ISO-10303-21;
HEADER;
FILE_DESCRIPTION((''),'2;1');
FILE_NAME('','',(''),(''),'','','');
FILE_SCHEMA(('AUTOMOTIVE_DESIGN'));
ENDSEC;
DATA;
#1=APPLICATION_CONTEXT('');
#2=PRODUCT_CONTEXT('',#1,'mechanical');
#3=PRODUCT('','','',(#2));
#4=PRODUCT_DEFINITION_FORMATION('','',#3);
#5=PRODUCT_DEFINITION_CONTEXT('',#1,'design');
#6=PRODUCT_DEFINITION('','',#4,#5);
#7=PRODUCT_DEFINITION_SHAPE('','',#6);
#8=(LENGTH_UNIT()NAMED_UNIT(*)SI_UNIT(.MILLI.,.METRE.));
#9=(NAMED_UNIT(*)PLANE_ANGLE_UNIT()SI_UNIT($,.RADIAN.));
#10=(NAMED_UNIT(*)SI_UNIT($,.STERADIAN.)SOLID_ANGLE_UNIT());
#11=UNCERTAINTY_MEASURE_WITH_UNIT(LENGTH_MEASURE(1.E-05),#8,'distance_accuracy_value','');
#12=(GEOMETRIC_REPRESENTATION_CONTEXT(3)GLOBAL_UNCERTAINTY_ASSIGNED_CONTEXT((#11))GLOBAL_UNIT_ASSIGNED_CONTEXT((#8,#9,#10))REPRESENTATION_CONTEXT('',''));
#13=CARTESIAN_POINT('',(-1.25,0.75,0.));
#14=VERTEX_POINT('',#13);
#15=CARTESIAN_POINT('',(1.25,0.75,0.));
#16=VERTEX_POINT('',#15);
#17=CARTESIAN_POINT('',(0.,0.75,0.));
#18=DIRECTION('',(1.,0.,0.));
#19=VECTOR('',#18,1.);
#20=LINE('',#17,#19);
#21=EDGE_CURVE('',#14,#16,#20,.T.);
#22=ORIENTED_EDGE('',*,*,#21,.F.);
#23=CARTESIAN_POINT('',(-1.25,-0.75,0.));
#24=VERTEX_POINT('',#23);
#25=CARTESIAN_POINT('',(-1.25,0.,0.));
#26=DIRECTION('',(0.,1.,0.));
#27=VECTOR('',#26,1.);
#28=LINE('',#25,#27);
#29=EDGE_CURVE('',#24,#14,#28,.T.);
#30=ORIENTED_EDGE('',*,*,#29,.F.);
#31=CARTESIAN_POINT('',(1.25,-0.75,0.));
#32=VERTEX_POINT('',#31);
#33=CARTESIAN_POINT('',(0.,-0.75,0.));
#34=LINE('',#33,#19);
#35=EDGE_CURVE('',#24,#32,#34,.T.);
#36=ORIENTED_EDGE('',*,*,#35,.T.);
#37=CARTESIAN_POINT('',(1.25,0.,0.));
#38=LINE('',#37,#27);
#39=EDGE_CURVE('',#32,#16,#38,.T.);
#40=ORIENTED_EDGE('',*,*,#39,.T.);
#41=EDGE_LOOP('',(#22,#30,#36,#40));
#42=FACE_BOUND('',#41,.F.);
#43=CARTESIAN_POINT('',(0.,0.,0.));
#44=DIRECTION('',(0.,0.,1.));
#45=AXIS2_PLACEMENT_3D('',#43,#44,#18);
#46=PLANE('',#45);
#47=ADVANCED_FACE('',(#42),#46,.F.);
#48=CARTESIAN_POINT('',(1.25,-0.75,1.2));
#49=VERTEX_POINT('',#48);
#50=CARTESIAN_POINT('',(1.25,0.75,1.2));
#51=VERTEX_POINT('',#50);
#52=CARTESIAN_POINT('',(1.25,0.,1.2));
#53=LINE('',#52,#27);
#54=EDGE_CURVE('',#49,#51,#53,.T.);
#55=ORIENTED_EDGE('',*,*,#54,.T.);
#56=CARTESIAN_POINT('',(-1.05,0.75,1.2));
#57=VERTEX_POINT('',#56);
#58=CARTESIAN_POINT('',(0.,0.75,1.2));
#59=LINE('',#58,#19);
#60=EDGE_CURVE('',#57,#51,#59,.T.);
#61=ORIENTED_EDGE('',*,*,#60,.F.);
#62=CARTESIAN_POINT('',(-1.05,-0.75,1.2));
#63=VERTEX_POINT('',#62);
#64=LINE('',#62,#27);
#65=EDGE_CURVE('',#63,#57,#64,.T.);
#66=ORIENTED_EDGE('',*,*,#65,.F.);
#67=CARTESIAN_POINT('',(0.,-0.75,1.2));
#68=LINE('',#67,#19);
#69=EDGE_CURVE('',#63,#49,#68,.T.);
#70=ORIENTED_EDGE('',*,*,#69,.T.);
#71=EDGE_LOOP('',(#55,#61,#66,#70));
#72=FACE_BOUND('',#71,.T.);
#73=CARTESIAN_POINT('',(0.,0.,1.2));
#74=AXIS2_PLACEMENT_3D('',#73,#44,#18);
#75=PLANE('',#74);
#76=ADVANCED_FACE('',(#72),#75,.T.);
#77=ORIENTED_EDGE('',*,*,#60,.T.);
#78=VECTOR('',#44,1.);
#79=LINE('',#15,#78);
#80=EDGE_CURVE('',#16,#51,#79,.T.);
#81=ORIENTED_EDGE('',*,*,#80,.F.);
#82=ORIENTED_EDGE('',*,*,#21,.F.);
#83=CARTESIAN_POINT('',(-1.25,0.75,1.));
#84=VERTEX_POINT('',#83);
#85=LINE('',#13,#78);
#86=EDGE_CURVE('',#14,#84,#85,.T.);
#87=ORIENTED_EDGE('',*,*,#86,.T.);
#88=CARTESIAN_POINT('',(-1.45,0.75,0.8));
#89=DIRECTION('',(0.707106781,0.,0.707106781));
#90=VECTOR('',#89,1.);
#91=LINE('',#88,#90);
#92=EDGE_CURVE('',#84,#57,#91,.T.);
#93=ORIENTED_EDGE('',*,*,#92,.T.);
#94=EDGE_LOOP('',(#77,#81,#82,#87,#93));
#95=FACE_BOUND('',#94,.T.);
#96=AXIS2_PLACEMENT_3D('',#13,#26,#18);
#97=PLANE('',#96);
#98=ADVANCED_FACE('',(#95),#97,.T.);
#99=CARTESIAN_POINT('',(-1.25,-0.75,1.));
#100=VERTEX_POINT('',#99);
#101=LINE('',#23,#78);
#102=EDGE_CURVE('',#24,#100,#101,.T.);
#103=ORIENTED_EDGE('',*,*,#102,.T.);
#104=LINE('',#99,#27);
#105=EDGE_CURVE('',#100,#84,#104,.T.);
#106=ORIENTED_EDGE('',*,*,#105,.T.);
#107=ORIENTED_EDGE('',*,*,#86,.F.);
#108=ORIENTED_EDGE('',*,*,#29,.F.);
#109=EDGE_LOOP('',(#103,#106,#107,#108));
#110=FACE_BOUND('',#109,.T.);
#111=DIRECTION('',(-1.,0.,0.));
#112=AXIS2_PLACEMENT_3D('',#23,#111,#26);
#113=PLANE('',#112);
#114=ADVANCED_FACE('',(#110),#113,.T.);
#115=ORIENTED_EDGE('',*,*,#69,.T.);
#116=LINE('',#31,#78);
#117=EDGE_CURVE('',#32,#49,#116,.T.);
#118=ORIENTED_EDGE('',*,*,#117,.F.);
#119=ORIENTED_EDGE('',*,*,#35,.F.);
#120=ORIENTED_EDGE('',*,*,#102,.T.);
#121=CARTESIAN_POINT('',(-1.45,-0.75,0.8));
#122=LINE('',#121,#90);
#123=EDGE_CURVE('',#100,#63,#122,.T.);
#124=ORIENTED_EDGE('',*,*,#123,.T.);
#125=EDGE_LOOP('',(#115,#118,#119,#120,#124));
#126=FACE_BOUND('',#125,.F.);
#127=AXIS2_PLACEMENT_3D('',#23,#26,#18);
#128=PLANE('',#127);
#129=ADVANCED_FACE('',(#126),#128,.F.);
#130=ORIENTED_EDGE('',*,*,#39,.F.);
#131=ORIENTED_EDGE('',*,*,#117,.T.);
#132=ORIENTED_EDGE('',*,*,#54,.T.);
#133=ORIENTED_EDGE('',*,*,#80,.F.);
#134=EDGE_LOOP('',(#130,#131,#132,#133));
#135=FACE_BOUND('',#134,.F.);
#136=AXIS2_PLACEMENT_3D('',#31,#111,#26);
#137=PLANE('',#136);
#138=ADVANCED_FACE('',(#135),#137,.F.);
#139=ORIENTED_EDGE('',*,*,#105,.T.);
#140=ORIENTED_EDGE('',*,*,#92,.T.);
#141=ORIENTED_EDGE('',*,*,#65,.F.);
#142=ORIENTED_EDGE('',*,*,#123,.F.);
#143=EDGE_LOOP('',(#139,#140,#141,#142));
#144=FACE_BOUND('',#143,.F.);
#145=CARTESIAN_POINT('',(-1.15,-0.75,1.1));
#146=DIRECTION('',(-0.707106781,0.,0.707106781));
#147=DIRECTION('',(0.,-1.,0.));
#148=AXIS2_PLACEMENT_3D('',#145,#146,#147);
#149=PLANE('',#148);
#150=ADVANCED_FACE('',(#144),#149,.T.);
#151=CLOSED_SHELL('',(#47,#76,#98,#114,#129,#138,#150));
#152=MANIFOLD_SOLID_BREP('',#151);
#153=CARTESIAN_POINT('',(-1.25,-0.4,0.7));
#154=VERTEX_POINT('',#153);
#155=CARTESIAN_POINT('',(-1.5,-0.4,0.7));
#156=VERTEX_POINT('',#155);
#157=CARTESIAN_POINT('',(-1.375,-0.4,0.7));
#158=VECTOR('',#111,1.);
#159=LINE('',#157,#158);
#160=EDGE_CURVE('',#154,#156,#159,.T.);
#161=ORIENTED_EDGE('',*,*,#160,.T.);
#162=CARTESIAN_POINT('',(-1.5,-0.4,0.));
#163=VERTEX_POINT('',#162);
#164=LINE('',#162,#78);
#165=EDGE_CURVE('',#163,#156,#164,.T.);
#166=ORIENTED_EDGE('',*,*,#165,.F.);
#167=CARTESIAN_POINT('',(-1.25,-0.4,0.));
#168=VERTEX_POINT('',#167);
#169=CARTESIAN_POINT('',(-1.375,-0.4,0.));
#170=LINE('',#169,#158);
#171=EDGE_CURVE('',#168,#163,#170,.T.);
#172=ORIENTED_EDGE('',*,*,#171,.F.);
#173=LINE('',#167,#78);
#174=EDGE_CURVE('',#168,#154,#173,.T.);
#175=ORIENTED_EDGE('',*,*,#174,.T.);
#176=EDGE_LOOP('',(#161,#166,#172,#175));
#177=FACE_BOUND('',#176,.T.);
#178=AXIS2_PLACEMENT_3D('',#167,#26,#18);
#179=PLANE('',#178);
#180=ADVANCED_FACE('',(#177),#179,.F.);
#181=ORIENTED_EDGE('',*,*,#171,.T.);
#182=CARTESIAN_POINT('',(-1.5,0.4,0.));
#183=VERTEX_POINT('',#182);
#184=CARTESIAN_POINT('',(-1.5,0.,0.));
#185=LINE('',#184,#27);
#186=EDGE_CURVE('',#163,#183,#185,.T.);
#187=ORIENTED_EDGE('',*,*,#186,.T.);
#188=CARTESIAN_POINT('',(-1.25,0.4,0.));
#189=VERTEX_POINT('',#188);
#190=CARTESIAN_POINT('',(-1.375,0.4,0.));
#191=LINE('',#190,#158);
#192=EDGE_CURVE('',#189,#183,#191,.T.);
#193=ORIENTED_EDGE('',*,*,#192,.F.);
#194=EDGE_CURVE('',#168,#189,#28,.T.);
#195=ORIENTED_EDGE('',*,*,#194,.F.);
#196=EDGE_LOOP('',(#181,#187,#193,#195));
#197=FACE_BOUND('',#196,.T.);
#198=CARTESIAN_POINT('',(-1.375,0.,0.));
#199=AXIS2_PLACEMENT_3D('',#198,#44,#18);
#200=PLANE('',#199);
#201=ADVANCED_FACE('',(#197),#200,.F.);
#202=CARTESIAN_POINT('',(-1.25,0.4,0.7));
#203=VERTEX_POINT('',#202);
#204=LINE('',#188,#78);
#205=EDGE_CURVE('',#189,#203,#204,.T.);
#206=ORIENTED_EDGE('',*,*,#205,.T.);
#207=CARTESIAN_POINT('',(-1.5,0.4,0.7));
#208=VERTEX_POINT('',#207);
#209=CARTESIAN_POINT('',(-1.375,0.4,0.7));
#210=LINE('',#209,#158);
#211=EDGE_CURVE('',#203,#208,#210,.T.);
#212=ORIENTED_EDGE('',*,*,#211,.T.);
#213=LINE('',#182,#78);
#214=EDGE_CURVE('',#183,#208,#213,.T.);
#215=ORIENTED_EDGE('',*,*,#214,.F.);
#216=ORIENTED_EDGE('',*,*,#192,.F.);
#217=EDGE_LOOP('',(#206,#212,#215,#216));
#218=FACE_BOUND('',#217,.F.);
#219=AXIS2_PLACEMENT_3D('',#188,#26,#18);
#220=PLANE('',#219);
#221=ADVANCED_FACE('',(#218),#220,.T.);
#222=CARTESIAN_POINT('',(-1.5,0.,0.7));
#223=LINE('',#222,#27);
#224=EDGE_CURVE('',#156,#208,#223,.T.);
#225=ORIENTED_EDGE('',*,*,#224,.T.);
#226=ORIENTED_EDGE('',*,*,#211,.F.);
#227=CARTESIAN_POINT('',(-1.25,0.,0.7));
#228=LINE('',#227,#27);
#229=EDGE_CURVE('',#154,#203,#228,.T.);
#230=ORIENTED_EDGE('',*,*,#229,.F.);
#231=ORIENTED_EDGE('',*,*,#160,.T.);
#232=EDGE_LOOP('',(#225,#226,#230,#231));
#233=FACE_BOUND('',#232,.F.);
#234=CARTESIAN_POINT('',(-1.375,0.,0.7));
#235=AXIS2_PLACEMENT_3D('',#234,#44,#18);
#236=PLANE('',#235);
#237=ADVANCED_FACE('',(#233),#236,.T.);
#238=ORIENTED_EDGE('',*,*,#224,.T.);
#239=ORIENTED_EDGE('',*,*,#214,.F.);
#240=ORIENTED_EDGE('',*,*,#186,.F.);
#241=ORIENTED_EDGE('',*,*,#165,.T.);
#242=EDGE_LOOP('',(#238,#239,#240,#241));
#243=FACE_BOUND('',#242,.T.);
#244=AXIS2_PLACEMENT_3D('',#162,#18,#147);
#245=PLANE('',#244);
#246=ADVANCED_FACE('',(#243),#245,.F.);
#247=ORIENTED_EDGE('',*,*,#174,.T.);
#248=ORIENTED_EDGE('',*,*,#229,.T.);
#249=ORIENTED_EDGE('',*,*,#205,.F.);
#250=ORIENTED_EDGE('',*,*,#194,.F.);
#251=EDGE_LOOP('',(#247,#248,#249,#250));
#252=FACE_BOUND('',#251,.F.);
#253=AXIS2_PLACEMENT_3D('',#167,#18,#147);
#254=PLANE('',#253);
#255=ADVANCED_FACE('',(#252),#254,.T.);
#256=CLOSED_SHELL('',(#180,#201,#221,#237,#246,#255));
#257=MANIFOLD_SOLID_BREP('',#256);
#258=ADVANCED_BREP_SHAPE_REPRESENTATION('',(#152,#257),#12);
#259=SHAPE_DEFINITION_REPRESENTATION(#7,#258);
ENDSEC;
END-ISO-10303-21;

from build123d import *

# Parameters (mm, degrees)
SKETCH_W     = 2.5
SKETCH_H     = 1.5
PAD_DEPTH    = 1.2
CHAMFER_SIZE = 0.2
SKETCH001_W  = 0.25
SKETCH001_H  = 0.8
PAD001_DEPTH = 0.7


with BuildPart() as body:
    # Sketch → Pad (new body)
    with BuildSketch(Plane.XY):
        Rectangle(SKETCH_W, SKETCH_H)
    extrude(amount=PAD_DEPTH)

    # Chamfer
    chamfer_edges = [body.edges().sort_by_distance(p)[0] for p in [
        (-1.25, 0, 1.2),
    ]]
    chamfer(chamfer_edges, length=CHAMFER_SIZE)


with BuildPart() as body001:
    # Sketch001 → Pad001 (new body)
    with BuildSketch(Plane.XY):
        with Locations((1.375, 0)):
            Rectangle(SKETCH001_W, SKETCH001_H)
    extrude(amount=PAD001_DEPTH)


with BuildPart() as part_mirroring:
    # Part__Mirroring: instance of Body001
    add(body001.part.mirror(Plane(origin=(0, 0, 0), x_dir=(0, -1, 0), z_dir=(1, 0, 0))))


solid = Compound([body.part, part_mirroring.part])
